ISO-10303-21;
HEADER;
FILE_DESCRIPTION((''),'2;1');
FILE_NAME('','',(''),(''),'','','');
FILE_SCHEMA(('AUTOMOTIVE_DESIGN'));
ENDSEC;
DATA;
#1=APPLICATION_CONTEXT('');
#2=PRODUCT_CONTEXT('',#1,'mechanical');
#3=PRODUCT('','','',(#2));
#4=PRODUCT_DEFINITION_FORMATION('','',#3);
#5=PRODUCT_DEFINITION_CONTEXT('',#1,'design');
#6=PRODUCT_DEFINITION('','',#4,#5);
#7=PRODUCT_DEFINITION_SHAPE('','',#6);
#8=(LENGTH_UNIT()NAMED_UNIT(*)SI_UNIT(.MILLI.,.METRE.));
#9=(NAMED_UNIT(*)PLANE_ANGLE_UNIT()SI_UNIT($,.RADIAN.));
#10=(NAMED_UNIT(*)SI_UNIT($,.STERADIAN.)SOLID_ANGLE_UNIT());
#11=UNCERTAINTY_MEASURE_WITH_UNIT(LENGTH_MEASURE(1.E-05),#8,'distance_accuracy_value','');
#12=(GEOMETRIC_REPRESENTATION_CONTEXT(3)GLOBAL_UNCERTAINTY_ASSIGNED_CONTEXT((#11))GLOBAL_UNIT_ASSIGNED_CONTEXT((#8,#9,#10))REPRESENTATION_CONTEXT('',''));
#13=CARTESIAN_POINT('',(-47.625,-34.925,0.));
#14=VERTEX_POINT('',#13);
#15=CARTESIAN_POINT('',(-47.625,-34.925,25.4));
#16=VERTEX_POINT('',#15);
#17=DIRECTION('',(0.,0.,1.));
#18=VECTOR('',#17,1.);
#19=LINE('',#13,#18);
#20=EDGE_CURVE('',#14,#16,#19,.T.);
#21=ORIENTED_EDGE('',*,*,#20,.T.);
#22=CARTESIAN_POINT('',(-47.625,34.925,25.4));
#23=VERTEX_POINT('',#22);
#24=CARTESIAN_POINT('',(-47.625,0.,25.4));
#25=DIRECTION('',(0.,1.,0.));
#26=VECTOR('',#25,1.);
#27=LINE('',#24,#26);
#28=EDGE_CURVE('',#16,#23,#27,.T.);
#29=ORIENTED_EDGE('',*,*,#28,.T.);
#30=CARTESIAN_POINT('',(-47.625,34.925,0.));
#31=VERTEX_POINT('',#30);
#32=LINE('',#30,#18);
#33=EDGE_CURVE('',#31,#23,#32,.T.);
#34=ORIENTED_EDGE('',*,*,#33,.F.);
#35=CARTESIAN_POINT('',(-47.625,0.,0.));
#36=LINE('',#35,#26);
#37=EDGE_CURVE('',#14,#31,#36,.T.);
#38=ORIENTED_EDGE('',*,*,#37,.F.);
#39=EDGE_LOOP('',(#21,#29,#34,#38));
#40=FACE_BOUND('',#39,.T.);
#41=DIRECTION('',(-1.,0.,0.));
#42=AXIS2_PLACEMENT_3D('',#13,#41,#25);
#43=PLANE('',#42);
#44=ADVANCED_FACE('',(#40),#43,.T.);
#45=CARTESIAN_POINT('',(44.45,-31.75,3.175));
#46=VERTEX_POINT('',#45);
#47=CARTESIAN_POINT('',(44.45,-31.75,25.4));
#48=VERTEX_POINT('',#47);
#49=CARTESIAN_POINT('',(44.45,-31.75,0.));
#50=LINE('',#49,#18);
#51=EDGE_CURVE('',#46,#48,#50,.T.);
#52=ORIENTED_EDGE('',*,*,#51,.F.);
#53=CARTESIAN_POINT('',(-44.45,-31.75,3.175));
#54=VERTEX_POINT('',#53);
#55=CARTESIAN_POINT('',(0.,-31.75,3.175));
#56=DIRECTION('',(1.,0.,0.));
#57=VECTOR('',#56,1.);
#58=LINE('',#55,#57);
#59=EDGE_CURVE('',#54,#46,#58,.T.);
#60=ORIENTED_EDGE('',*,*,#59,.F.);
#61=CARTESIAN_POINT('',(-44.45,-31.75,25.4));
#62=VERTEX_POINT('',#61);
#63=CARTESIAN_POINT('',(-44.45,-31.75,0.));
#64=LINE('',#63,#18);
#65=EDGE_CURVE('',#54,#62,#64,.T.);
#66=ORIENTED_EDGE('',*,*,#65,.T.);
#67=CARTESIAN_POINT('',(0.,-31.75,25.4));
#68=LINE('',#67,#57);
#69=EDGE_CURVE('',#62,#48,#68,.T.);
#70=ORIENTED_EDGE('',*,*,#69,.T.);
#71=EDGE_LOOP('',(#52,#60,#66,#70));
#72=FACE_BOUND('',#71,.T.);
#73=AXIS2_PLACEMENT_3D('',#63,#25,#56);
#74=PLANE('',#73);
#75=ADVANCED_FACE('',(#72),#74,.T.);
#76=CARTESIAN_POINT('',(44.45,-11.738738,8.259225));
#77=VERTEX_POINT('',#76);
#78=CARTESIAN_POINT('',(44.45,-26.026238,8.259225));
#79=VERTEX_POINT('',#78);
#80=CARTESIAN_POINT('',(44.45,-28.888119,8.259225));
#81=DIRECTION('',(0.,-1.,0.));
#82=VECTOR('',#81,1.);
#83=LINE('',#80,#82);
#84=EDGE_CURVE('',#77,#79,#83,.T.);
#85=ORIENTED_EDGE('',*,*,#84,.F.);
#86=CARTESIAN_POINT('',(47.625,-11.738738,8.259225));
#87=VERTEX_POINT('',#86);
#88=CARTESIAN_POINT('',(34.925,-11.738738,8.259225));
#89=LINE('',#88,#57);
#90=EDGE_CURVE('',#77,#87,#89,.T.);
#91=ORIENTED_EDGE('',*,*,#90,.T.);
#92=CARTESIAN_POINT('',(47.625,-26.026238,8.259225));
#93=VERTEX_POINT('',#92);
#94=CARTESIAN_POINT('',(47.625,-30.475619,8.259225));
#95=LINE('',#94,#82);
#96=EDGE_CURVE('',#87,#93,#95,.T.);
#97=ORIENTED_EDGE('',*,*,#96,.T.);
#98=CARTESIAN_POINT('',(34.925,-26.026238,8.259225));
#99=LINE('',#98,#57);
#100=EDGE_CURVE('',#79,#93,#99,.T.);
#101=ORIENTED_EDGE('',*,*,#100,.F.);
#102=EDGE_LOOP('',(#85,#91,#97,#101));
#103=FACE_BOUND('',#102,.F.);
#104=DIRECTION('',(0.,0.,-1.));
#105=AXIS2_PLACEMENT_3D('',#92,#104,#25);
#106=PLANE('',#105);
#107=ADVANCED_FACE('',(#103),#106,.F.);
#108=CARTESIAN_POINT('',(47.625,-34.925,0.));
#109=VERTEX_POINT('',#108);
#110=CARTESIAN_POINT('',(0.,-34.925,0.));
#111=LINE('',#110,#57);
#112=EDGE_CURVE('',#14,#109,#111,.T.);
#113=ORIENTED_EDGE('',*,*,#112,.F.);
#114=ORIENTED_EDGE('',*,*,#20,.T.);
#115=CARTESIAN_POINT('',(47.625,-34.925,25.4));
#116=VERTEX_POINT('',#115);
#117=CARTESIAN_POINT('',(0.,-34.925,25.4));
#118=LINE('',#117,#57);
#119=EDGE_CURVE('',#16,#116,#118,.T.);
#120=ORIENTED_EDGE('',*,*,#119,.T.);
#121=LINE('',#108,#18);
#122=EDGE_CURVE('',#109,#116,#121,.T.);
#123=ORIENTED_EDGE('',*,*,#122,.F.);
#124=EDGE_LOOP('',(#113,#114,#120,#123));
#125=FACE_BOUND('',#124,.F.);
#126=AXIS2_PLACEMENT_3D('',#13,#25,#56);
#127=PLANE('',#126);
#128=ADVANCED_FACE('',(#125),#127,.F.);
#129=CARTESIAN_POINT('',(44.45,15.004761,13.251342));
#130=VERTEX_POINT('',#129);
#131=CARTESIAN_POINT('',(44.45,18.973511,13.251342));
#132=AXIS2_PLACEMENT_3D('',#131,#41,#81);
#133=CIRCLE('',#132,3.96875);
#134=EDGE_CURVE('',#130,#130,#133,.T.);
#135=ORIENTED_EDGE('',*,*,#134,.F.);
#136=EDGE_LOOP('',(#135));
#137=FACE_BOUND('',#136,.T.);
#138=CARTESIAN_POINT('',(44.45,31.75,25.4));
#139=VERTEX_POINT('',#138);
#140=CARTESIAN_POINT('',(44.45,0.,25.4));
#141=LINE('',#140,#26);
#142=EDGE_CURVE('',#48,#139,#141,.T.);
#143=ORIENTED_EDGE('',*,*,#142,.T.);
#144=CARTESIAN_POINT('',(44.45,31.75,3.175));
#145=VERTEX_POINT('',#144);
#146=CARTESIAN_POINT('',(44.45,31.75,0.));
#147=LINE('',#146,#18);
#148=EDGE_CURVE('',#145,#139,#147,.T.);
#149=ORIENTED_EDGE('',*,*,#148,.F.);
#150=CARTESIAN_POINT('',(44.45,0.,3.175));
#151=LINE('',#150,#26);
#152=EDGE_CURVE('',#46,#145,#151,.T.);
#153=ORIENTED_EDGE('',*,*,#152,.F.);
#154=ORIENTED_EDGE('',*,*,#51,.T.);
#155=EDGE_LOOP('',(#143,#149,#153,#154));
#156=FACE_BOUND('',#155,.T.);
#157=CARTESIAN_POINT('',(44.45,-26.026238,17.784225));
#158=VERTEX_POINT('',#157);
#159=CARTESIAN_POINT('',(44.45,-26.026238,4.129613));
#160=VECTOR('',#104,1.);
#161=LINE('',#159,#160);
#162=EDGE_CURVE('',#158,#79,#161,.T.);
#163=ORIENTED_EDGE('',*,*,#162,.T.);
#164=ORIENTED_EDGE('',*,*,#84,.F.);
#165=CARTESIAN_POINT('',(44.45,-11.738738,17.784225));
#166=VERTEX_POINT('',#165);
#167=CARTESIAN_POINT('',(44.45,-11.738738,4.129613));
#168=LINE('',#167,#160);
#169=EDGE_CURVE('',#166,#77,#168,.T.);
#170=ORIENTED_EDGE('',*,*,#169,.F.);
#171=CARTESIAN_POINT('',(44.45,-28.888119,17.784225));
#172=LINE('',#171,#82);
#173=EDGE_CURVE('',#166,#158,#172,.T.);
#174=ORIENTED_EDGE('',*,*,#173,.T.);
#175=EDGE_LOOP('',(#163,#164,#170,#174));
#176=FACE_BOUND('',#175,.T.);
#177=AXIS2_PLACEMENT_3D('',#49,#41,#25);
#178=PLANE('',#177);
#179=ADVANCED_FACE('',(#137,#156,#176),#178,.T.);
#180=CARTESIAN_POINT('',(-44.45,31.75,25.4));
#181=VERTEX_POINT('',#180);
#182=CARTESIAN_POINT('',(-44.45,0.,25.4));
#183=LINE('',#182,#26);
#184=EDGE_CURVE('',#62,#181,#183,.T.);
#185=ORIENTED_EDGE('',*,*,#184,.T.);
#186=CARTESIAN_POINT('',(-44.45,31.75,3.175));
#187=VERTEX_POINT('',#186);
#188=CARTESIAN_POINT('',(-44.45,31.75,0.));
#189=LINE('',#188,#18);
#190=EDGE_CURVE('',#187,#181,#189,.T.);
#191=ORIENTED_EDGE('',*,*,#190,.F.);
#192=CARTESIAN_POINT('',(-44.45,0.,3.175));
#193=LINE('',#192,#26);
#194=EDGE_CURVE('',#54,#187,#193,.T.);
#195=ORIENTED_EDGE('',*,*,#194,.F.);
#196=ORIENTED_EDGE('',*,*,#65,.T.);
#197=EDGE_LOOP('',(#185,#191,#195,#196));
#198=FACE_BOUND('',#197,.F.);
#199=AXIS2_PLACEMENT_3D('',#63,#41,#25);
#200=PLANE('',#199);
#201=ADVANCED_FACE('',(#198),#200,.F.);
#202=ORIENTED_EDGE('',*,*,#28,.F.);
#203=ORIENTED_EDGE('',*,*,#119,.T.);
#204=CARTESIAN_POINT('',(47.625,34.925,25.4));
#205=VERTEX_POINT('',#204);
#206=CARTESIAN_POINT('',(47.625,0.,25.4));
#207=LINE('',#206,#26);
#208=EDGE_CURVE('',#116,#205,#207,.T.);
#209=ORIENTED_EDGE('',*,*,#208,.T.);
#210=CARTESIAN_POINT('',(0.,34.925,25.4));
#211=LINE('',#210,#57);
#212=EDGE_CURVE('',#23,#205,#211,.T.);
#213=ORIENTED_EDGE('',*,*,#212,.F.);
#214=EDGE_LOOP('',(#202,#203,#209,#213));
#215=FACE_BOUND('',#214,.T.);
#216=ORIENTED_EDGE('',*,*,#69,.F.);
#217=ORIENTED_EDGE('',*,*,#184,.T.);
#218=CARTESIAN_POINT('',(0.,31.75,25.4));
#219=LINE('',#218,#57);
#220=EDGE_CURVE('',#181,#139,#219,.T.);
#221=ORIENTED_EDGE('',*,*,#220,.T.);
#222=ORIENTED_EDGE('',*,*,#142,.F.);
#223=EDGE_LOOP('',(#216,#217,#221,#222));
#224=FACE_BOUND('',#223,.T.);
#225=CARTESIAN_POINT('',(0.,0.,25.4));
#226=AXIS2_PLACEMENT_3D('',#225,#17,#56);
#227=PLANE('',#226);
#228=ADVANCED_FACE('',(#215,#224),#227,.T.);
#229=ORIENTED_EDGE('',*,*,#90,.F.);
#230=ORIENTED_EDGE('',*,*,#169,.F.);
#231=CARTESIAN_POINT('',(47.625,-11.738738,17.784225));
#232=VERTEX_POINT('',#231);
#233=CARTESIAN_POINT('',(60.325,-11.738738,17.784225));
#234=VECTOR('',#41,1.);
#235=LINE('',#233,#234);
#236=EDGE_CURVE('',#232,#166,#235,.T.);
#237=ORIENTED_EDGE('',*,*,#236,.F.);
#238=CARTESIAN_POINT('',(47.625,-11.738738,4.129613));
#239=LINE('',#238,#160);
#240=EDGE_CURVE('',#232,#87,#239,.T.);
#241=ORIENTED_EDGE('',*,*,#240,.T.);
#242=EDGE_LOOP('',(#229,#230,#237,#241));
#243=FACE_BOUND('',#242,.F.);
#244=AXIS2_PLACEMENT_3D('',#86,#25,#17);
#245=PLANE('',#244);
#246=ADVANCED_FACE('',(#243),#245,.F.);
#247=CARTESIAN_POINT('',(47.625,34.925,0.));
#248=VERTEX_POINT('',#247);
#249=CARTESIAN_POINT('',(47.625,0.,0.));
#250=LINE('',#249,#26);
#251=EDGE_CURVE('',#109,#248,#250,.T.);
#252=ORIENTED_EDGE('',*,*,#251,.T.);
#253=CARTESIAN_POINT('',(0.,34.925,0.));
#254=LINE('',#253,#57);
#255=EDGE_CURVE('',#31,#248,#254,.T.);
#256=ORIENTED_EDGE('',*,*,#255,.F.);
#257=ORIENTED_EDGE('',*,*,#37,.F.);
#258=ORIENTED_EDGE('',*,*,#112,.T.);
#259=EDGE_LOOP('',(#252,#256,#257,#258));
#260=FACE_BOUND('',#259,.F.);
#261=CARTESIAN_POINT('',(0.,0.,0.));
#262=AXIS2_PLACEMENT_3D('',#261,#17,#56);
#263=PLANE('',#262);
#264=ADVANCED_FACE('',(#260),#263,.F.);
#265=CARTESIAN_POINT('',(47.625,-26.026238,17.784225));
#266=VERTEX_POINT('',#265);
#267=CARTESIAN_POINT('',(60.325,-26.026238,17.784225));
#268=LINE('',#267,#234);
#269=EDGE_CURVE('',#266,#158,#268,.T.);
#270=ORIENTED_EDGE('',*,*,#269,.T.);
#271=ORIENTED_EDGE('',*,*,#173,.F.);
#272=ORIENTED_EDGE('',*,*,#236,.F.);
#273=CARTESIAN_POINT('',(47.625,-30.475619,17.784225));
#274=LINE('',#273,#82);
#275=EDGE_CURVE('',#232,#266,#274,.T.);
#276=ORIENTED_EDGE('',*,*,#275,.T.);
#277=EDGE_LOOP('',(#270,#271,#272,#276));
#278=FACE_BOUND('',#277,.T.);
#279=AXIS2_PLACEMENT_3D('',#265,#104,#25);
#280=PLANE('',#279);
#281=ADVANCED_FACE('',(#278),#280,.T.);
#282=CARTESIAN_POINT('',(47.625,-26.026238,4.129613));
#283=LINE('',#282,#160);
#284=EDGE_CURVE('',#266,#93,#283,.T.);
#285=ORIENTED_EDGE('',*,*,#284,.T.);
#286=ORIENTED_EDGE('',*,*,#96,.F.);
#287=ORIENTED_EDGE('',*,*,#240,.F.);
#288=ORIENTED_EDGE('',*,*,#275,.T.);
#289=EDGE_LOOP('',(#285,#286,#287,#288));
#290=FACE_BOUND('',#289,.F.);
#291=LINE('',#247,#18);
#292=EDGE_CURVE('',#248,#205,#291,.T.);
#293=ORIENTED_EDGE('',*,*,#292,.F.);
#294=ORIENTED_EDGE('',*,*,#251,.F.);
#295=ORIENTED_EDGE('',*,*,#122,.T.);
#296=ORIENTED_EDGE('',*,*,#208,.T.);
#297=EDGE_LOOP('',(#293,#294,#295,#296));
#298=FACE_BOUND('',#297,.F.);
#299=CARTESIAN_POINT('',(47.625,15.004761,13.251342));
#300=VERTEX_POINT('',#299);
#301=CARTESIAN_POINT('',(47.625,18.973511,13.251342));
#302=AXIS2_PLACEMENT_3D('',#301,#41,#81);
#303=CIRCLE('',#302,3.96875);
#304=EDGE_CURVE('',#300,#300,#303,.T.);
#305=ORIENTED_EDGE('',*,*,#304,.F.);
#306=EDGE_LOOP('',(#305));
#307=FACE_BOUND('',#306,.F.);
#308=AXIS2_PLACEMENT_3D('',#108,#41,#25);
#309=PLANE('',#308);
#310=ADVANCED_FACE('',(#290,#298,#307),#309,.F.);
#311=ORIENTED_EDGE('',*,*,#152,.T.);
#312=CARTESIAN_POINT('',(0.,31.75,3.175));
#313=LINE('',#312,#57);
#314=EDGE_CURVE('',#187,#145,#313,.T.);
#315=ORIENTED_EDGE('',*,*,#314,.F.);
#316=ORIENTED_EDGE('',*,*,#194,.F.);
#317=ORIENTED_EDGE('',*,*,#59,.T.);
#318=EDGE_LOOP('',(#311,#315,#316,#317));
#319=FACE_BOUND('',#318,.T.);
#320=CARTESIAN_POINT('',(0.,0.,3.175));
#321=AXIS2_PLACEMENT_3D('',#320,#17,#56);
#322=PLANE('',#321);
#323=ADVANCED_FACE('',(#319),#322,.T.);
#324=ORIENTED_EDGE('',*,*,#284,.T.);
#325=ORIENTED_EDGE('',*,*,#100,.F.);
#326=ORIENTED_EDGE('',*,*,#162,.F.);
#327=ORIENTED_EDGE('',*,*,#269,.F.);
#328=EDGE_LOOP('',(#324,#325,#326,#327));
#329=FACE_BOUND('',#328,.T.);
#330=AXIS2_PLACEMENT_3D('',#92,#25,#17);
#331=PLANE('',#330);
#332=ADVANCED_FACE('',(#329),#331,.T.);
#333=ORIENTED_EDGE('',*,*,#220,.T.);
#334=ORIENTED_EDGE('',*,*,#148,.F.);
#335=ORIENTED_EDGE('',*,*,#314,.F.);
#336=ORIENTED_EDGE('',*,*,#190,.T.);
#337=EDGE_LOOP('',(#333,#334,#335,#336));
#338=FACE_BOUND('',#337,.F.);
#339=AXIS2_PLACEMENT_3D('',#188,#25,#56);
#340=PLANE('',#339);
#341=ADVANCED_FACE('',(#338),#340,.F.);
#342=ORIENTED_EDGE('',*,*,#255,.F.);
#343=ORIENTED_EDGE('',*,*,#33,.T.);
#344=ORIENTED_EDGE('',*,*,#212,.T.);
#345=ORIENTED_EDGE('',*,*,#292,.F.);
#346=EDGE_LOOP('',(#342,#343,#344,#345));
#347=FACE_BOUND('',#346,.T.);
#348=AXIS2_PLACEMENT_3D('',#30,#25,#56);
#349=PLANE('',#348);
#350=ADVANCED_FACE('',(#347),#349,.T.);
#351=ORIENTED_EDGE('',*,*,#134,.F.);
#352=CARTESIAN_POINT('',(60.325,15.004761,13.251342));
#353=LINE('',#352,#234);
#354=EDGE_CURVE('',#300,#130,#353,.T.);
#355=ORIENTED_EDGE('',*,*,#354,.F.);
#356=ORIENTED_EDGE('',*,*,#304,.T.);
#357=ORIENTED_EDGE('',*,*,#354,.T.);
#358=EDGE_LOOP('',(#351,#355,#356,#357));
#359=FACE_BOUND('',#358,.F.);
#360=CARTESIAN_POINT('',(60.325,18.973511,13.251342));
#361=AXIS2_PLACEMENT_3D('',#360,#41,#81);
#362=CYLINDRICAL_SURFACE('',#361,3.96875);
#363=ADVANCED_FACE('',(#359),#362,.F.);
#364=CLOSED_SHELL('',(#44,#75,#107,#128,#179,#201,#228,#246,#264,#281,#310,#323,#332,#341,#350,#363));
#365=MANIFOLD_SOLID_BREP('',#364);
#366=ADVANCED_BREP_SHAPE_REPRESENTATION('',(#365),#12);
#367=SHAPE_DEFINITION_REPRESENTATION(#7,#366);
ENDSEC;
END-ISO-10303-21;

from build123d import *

# Parameters (mm, degrees)
F0_W     = 95.25
F0_H     = 69.85
F0_W_2   = 88.9
F0_H_2   = 63.5
F1_DEPTH = 25.4
F3_DEPTH = 3.175
F5_D     = 7.9375
F5_DEPTH = 12.7
F2_W     = 14.2875
F2_H     = 9.525
F6_DEPTH = 12.7


with BuildPart() as f1:
    # F0 (on Top) → F1 (new body)
    with BuildSketch(Plane.XY):
        Rectangle(F0_W, F0_H)
        Rectangle(F0_W_2, F0_H_2, mode=Mode.SUBTRACT)
    extrude(amount=F1_DEPTH)

    # F0 (on Top) → F3 (join)
    with BuildSketch(Plane.XY):
        Rectangle(F0_W_2, F0_H_2)
    extrude(amount=F3_DEPTH)

    # F5
    with Locations(Plane.YZ.offset(47.625)):
        with Locations((18.973511, 13.251342)):
            Hole(F5_D / 2, depth=F5_DEPTH)

    # F2 (on face) → F6 (cut, symmetric)
    with BuildSketch(Plane.YZ.offset(47.625)):
        with Locations((-18.882488, 13.021725)):
            Rectangle(F2_W, F2_H)
    extrude(amount=F6_DEPTH, both=True, mode=Mode.SUBTRACT)


solid = f1.part
